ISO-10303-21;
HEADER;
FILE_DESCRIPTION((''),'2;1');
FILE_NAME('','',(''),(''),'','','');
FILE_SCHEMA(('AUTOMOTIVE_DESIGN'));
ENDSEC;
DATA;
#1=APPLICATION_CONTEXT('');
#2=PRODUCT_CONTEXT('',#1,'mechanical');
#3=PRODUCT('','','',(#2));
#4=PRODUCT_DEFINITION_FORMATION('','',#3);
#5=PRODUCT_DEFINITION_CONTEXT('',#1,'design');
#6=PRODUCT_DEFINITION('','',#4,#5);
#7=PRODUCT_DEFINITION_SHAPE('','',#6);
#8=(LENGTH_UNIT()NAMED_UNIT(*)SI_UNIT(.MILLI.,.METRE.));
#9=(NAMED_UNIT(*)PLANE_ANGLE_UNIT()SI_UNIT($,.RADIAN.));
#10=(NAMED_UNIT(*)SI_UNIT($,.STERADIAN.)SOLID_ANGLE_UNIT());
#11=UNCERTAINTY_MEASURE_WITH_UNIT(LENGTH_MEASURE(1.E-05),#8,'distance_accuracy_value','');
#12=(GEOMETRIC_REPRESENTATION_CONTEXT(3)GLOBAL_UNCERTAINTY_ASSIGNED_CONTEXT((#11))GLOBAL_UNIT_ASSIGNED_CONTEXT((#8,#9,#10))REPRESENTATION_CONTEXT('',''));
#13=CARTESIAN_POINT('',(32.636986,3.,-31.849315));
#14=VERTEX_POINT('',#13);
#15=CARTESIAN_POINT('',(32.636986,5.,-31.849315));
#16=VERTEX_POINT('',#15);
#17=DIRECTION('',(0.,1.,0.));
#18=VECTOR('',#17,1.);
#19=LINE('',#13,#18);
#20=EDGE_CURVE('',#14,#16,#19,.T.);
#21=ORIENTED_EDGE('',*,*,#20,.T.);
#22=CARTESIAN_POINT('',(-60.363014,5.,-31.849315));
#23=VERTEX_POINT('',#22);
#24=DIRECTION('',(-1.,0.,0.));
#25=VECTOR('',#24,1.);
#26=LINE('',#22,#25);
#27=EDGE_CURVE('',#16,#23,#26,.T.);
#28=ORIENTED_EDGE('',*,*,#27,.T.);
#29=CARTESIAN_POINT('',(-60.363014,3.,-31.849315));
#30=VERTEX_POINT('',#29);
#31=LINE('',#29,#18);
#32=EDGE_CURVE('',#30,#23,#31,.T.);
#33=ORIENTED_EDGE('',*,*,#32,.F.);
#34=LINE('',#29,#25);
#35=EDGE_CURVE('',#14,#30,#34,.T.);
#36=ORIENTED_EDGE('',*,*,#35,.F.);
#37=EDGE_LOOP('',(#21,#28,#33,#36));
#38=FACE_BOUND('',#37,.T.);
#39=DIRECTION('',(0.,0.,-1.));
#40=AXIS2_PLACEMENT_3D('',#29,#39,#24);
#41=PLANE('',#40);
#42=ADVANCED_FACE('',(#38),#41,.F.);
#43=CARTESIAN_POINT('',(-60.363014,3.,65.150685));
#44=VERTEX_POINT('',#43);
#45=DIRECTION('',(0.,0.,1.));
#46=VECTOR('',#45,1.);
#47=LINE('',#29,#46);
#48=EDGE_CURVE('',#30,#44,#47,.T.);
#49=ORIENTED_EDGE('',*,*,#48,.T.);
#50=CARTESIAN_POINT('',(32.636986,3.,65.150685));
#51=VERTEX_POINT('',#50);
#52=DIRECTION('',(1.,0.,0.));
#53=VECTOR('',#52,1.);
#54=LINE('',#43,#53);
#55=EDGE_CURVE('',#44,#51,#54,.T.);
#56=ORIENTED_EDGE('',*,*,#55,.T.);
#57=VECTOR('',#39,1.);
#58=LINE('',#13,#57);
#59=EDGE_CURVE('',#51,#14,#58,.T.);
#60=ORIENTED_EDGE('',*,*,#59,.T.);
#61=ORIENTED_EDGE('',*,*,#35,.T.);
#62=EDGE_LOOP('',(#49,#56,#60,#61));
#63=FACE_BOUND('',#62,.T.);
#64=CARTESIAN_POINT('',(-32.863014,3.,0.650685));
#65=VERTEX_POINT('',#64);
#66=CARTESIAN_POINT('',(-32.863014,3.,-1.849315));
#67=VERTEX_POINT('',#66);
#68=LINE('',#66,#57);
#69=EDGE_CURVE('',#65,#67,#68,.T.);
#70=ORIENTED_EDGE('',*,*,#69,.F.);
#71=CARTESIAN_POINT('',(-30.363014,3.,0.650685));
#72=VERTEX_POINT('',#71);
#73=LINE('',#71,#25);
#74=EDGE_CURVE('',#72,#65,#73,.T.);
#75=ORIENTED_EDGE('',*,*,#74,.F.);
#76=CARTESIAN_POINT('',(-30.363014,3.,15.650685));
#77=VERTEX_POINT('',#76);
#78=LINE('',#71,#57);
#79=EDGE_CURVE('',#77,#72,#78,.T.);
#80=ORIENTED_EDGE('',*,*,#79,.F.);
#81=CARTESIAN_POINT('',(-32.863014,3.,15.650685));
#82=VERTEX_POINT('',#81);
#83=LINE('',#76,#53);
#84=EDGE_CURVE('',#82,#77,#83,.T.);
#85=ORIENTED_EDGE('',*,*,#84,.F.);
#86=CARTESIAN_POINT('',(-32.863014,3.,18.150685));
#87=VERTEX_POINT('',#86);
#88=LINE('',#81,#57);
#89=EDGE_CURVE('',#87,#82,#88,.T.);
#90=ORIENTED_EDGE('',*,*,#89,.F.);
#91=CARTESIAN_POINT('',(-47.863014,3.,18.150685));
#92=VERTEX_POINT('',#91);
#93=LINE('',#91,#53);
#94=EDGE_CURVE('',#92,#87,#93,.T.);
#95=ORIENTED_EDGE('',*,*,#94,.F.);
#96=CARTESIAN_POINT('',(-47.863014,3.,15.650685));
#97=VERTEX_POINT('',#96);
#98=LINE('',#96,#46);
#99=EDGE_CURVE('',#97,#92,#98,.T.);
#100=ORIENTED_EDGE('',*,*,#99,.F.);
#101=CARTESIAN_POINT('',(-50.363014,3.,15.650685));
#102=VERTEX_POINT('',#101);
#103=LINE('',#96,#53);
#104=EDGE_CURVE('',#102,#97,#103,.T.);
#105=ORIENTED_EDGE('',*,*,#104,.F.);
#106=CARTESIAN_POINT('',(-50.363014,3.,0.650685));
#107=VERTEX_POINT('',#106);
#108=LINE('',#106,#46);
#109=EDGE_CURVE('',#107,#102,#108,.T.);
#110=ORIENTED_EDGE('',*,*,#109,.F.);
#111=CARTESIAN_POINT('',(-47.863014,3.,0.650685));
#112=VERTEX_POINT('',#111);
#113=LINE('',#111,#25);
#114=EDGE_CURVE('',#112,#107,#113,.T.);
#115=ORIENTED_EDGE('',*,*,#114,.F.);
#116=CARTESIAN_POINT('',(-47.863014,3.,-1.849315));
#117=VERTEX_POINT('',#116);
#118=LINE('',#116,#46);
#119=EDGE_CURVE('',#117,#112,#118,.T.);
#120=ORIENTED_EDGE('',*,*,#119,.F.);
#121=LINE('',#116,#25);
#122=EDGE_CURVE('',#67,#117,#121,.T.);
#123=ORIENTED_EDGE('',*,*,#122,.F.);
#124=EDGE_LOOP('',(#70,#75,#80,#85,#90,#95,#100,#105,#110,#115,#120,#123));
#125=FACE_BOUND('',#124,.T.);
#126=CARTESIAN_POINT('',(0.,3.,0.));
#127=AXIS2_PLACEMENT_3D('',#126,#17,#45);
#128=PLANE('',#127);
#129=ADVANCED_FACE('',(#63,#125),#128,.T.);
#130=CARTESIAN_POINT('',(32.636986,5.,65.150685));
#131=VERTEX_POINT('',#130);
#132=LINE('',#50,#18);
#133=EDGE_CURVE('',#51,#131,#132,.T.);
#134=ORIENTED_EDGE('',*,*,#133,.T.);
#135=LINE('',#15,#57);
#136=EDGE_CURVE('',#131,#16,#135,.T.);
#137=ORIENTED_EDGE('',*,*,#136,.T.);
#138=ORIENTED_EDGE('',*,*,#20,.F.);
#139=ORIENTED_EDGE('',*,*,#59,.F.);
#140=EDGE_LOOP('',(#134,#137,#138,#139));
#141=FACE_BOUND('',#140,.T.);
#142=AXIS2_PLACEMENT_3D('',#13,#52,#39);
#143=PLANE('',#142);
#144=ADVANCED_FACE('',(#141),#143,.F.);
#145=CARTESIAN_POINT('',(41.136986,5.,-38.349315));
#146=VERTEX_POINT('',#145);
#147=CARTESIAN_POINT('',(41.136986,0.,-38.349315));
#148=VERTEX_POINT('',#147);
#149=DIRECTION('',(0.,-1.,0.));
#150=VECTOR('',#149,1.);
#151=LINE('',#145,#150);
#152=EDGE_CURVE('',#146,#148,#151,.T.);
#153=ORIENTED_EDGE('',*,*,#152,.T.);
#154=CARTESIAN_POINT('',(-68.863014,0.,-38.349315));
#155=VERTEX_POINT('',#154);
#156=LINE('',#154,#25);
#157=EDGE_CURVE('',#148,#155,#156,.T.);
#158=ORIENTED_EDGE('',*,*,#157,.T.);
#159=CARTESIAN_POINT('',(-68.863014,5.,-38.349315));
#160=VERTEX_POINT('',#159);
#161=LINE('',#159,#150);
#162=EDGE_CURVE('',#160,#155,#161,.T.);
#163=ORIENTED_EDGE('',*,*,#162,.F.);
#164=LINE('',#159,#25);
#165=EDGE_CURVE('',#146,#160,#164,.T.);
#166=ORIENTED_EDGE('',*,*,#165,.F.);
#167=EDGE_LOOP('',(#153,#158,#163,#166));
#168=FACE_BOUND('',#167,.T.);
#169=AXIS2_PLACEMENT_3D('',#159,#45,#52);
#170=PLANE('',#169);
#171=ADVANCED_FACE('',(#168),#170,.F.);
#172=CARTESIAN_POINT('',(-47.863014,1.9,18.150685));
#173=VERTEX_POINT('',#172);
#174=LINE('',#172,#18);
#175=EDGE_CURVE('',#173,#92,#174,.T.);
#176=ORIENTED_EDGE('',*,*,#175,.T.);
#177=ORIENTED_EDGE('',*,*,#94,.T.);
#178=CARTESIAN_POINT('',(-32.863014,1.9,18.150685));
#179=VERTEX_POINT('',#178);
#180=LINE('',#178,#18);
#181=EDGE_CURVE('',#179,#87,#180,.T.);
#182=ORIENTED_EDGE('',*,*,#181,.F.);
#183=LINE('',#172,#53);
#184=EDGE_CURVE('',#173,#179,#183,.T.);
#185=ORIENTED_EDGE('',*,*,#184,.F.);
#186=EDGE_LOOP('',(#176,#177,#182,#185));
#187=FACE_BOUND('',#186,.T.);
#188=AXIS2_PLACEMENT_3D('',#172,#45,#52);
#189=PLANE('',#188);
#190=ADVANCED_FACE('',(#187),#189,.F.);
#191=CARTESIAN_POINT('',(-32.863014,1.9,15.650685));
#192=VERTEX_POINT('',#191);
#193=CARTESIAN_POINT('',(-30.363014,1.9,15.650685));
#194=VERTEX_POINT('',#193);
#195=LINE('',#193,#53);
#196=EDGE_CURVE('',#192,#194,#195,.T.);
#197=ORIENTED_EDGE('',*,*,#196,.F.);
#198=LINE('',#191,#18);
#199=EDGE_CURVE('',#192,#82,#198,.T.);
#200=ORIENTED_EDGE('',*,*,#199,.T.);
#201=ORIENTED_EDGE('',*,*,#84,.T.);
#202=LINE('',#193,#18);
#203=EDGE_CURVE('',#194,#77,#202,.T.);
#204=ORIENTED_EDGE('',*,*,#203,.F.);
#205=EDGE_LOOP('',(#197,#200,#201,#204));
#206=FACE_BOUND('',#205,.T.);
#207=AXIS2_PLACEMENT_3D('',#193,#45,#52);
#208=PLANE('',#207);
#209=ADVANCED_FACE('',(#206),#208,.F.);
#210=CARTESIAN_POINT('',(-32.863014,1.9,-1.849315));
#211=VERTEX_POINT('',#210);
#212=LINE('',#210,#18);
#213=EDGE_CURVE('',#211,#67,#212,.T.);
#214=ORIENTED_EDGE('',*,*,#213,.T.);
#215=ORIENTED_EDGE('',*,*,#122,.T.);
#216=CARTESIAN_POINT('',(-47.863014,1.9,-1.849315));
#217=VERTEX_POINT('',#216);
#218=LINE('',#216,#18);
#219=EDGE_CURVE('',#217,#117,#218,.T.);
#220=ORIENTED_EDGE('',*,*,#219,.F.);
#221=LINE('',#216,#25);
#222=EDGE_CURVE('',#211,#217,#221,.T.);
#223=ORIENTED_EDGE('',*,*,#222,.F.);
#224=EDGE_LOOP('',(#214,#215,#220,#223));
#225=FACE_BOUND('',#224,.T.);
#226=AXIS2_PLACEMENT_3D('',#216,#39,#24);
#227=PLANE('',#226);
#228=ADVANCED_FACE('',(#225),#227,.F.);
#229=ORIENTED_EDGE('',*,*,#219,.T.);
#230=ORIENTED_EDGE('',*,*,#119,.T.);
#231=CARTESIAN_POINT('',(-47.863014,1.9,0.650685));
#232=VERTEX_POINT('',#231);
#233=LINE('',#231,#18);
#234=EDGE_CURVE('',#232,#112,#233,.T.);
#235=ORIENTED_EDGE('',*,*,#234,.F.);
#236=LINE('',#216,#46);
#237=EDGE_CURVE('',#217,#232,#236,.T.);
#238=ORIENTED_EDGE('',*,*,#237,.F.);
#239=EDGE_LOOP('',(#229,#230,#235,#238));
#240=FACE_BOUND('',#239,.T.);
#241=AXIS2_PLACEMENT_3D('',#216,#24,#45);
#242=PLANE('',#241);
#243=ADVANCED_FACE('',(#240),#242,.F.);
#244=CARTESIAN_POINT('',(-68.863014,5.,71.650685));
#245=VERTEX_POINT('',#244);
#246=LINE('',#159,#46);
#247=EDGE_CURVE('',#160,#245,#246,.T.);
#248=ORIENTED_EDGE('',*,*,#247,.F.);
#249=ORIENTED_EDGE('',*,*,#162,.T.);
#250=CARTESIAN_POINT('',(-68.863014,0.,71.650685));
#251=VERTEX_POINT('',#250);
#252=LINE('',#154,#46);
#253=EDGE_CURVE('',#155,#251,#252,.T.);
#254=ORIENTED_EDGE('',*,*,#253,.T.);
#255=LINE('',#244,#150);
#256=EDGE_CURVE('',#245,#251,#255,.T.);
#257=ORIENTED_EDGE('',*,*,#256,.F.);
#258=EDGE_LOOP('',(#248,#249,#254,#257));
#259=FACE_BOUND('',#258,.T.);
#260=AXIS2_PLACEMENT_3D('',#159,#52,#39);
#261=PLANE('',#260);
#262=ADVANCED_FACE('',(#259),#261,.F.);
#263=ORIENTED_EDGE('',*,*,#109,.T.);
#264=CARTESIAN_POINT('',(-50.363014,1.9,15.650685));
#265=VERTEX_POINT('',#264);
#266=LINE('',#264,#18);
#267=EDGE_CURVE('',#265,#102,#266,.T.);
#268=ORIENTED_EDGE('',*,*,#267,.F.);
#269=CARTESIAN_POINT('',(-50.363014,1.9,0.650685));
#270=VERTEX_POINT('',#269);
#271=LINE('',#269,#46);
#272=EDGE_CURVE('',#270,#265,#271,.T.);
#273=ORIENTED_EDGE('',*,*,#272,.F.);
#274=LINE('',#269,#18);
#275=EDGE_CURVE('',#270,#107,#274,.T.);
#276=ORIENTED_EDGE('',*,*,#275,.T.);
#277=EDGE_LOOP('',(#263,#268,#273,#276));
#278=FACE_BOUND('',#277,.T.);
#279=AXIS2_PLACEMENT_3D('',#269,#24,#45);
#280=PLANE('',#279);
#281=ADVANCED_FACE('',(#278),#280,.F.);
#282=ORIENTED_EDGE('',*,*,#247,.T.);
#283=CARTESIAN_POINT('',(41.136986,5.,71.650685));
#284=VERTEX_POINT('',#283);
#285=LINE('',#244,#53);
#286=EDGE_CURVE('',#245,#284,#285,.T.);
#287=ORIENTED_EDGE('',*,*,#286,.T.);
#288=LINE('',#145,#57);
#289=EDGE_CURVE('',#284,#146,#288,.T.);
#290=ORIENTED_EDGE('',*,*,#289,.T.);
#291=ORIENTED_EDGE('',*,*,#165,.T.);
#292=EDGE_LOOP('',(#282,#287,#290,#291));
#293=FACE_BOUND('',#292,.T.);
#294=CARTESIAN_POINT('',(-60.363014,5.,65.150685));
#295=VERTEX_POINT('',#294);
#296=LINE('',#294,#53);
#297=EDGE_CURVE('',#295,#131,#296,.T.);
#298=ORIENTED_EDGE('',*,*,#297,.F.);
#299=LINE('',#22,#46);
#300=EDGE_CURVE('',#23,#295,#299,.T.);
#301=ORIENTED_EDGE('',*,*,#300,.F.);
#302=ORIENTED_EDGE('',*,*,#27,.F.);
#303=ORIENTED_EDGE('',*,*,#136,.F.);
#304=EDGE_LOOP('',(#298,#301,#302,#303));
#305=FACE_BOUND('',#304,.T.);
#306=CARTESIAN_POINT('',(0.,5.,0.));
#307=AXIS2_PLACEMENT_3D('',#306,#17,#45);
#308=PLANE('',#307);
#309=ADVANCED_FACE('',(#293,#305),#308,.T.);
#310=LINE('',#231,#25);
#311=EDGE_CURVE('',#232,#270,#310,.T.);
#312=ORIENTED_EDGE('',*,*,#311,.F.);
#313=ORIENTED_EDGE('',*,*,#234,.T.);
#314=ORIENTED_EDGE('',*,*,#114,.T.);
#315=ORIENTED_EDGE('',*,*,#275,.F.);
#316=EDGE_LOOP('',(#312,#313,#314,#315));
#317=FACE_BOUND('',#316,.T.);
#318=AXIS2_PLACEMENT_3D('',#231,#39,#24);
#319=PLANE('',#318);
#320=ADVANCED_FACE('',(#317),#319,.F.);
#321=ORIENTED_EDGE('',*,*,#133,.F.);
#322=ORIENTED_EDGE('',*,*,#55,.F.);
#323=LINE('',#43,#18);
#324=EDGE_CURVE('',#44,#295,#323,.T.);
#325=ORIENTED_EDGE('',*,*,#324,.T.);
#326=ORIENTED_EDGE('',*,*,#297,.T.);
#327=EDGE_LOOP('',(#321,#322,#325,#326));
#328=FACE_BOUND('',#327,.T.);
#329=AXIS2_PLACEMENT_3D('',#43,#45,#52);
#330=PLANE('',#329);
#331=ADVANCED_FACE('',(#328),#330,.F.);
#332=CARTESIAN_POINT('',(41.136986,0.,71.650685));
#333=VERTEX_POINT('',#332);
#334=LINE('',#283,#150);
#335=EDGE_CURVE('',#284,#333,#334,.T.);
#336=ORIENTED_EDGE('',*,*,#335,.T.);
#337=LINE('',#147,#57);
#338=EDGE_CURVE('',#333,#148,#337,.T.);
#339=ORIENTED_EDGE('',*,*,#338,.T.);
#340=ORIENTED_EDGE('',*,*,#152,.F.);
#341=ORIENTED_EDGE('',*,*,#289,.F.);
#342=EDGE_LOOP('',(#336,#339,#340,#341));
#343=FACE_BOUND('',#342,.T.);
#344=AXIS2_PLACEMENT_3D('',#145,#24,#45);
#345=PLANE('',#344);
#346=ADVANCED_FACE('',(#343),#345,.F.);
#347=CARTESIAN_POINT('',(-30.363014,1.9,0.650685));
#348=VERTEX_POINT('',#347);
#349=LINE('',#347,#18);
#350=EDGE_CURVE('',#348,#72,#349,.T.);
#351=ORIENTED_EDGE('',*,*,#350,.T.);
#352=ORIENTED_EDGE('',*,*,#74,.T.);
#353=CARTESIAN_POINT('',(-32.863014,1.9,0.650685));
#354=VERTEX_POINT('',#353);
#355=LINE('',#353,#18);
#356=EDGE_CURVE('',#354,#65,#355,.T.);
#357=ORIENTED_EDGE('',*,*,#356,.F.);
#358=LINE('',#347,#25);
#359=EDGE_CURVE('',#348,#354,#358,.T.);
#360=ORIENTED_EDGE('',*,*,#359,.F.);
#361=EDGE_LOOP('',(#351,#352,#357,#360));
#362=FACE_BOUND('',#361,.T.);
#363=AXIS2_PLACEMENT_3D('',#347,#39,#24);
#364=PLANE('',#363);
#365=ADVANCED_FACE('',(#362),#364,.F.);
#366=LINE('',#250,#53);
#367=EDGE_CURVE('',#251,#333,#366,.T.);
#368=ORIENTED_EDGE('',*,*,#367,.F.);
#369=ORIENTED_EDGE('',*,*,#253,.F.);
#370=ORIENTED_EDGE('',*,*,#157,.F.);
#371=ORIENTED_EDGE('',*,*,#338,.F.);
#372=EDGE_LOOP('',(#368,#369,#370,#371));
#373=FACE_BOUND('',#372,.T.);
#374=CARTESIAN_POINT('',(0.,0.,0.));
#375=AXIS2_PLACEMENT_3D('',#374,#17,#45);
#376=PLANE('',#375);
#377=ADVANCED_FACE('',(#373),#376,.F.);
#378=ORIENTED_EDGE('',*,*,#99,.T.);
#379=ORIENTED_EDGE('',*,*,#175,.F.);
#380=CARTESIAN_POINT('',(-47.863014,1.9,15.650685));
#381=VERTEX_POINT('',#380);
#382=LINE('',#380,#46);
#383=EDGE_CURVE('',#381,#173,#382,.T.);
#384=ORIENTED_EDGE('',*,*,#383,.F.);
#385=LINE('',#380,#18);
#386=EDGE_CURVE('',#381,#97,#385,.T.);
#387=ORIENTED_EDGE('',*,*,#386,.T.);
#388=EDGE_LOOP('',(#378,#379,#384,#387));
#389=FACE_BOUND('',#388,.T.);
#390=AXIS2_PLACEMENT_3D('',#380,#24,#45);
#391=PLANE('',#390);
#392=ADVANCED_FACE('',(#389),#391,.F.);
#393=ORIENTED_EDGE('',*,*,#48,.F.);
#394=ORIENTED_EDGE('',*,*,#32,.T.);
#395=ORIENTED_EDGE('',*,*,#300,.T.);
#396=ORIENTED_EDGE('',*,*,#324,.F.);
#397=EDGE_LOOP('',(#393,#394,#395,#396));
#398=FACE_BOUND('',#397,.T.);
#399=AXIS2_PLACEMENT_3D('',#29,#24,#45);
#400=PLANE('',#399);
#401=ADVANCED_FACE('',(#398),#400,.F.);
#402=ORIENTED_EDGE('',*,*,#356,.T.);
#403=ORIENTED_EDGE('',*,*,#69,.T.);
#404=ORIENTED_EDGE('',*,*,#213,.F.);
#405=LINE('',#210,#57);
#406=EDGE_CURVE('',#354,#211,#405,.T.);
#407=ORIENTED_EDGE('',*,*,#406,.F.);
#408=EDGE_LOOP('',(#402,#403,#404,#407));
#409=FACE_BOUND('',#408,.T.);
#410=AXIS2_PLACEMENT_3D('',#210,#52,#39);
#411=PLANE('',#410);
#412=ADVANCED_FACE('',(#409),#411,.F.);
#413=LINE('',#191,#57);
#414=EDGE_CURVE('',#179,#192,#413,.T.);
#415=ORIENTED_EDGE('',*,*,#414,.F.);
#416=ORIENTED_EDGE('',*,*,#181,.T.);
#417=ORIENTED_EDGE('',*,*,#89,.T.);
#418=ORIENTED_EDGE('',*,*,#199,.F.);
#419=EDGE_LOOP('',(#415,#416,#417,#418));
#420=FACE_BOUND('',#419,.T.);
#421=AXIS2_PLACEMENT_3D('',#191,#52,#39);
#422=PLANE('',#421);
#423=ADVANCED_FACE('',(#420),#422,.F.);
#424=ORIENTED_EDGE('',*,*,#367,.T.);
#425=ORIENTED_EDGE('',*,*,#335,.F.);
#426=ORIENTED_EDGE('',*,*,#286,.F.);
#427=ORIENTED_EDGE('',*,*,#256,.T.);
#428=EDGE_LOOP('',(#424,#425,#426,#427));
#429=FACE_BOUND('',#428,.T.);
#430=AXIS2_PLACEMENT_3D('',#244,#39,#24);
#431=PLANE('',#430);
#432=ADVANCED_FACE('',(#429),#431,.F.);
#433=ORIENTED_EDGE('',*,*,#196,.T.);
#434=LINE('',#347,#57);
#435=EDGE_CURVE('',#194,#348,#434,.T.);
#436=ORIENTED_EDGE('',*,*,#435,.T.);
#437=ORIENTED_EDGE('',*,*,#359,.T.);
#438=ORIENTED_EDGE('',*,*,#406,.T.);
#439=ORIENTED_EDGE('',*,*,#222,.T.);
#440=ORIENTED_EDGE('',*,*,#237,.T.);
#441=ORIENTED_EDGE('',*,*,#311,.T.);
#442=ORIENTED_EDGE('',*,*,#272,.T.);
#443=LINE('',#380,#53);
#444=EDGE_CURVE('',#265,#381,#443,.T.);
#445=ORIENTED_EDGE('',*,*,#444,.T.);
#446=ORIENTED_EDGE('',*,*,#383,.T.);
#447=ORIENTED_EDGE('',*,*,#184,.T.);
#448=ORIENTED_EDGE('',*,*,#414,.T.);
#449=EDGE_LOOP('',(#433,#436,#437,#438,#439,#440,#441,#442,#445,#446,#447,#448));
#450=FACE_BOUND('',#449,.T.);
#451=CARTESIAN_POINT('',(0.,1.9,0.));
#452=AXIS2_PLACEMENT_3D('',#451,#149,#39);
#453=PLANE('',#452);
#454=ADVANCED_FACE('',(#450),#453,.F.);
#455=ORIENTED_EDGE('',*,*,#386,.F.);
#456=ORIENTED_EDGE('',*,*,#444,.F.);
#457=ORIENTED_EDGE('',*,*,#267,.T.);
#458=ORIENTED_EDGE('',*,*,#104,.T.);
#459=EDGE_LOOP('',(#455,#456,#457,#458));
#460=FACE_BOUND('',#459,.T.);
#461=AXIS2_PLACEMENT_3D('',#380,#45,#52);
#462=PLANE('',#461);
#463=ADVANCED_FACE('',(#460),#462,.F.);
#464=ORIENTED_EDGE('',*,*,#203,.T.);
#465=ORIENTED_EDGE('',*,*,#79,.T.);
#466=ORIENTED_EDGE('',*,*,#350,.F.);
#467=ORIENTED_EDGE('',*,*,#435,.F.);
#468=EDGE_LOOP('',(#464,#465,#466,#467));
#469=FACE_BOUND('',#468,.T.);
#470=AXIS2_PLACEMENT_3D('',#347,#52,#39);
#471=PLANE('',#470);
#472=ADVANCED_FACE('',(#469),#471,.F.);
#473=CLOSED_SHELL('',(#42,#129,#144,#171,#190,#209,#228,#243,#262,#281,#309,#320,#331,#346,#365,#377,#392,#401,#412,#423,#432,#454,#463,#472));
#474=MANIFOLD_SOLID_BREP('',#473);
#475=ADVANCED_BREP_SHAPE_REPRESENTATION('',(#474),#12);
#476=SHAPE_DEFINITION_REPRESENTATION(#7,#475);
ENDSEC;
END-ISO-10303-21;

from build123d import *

# Parameters (mm, degrees)
SKETCH1_W           = 110
SKETCH1_H           = 110
BOSS_EXTRUDE1_DEPTH = 5
SKETCH2_W           = 93
SKETCH2_H           = 97
CUT_EXTRUDE1_DEPTH  = 2
CUT_EXTRUDE2_DEPTH  = 1.1


with BuildPart() as part:
    # Sketch1 → Boss-Extrude1 (new body)
    with BuildSketch(Plane(origin=(0, 0, 0), x_dir=(1, 0, 0), z_dir=(0, 1, 0))):
        with Locations((-13.863013699, -16.650684932)):
            Rectangle(SKETCH1_W, SKETCH1_H)
    extrude(amount=BOSS_EXTRUDE1_DEPTH)

    # Sketch2 → Cut-Extrude1 (cut)
    with BuildSketch(Plane(origin=(0, 5, 0), x_dir=(1, 0, 0), z_dir=(0, 1, 0))):
        with Locations((-13.863013699, -16.650684932)):
            Rectangle(SKETCH2_W, SKETCH2_H)
    extrude(amount=-CUT_EXTRUDE1_DEPTH, mode=Mode.SUBTRACT)

    # Sketch3 → Cut-Extrude2 (cut)
    with BuildSketch(Plane(origin=(0, 3, 0), x_dir=(1, 0, 0), z_dir=(0, 1, 0))):
        Polygon((-30.363013699, -0.650684932), (-32.863013699, -0.650684932), (-32.863013699, 1.849315068), (-47.863013699, 1.849315068), (-47.863013699, -0.650684932), (-50.363013699, -0.650684932), (-50.363013699, -15.650684932), (-47.863013699, -15.650684932), (-47.863013699, -18.150684932), (-32.863013699, -18.150684932), (-32.863013699, -15.650684932), (-30.363013699, -15.650684932), align=None)
    extrude(amount=-CUT_EXTRUDE2_DEPTH, mode=Mode.SUBTRACT)


solid = part.part
